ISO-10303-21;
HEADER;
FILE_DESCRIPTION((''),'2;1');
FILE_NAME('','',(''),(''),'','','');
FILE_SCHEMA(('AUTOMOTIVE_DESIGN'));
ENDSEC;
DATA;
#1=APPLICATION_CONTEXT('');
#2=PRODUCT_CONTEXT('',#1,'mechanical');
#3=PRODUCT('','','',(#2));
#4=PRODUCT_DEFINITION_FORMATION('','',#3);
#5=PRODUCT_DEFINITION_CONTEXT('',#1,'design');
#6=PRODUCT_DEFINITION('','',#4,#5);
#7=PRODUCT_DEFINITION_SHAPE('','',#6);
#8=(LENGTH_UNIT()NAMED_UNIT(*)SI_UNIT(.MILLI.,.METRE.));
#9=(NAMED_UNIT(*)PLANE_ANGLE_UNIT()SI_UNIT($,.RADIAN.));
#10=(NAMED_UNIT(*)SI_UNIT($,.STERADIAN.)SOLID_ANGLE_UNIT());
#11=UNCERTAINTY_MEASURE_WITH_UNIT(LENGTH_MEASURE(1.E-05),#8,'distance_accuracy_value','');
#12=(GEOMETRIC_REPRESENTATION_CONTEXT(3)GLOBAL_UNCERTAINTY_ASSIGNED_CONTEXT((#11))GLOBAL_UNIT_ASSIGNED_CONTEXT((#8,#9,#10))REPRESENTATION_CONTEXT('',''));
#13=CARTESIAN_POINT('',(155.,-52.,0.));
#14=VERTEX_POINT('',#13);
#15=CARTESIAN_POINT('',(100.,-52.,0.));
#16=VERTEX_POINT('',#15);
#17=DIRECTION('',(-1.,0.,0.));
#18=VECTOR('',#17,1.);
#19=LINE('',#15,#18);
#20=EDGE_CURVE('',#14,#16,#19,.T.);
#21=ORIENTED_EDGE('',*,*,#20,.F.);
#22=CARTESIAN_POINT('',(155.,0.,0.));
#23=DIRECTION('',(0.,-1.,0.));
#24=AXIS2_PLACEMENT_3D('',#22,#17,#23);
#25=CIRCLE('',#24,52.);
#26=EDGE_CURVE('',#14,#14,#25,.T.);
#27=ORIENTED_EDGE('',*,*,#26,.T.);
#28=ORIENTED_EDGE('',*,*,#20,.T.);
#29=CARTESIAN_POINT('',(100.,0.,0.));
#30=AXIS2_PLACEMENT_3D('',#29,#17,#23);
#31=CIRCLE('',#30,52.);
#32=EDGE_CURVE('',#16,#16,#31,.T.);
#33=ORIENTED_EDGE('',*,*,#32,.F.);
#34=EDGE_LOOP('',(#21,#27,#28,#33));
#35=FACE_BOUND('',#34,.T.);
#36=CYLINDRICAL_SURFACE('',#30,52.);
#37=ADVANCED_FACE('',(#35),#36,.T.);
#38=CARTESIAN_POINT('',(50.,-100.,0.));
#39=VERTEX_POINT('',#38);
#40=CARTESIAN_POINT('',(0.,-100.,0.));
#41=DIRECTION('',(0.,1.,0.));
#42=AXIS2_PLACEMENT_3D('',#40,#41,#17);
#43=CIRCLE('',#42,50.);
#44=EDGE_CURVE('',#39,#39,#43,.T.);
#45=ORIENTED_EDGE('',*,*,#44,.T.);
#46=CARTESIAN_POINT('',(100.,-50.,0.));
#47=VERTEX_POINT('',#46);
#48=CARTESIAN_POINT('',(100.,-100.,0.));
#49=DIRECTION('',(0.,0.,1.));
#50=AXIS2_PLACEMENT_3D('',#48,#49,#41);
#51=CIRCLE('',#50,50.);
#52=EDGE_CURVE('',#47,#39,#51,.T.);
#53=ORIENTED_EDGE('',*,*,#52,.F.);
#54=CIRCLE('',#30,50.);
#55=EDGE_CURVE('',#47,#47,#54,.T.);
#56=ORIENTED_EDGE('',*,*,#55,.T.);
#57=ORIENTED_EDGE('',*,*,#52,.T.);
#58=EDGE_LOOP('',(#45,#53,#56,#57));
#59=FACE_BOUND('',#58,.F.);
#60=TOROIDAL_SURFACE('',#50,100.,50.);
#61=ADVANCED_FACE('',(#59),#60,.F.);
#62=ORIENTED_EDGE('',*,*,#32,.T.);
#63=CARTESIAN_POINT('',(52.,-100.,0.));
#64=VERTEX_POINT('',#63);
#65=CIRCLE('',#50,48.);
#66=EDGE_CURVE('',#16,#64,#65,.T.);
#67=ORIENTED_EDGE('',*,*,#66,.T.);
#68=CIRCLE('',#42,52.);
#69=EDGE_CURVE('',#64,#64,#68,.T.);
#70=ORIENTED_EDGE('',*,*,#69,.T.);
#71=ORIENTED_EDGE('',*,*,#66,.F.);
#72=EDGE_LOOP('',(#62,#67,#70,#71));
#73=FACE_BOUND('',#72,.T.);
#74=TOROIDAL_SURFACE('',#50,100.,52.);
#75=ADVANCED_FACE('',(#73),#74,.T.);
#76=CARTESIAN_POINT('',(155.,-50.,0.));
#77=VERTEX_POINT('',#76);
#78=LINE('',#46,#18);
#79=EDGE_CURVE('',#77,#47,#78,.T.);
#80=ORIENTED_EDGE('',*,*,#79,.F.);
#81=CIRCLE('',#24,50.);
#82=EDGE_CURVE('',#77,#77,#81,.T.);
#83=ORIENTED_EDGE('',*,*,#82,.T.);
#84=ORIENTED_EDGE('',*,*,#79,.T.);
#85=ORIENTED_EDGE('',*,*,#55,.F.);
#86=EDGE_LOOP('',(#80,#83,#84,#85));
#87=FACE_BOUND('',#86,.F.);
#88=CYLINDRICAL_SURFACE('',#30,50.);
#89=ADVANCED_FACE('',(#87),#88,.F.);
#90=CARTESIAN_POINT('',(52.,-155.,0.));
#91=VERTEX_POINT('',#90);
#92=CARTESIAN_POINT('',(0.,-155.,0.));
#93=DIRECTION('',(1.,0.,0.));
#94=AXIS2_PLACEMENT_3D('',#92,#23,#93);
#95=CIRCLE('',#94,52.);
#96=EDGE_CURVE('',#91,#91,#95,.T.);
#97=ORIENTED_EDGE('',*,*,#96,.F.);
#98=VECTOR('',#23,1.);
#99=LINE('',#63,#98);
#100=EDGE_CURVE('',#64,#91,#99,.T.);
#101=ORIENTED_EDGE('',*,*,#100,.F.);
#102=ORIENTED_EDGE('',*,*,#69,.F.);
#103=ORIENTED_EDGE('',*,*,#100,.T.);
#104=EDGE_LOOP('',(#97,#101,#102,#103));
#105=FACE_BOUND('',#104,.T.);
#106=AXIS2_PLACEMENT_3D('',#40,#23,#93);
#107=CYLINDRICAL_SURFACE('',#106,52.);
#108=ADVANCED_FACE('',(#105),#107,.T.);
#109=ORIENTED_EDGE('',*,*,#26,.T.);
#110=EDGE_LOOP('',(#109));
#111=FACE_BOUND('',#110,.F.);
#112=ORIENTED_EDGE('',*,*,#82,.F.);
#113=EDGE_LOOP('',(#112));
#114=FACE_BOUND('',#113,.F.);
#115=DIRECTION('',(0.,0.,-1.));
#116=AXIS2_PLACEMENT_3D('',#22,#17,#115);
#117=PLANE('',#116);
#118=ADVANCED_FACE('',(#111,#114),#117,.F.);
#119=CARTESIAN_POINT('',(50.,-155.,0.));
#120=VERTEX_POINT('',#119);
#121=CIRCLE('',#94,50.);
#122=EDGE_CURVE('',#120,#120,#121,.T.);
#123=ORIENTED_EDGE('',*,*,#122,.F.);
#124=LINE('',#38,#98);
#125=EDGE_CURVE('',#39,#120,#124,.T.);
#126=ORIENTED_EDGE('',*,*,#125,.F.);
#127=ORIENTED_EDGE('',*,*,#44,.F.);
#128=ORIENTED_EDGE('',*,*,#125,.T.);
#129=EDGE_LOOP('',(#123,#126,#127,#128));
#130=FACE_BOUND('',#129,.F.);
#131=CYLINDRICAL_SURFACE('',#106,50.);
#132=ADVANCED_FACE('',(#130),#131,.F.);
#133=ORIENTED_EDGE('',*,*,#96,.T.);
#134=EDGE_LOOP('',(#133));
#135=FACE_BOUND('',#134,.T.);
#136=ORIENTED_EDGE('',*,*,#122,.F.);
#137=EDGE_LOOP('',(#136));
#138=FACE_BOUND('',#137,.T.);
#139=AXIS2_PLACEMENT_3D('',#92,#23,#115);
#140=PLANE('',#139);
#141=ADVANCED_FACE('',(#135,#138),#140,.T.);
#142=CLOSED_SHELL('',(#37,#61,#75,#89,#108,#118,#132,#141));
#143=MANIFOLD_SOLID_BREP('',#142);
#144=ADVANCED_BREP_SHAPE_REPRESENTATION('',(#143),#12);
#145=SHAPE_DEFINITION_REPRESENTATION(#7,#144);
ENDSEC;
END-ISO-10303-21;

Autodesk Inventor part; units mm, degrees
ref_plane "YZ Plane" through (0, 0, 0) normal (1, 0, 0) x (0, 1, 0)
ref_plane "XZ Plane" through (0, 0, 0) normal (0, 1, 0) x (-1, 0, 0)
sketch "Szkic6" plane through (0, 0, 0) normal (0, 0, 1) x (1, 0, 0)
  line L0 (-29.6067, 0) -> (35.2678, 0) construction
  line L1 (0, 42.3419) -> (0, -58.3726) construction
  arc A0 (100, 0) -> (0, -100) centre (100, -100) ccw
  line L2 (0, -100) -> (100, -100) construction
  line L3 (100, -100) -> (100, -34.4669) construction
  line L4 (100, 0) -> (155, 0)
  line L5 (0, -100) -> (0, -155)
  point P0 (0, 0)
  dimension "d24" = 100
  dimension "d31" = 90
  dimension "d36" = 55
  dimension "d37" = 55
ref_plane "Płaszczyzna konstrukcyjna2" through (0, -100, 0) normal (0, -1, 0) x (1, 0, 0)
sketch "Szkic8" plane through (0, -100, 0) normal (0, -1, 0) x (1, 0, 0)
  circle A0 centre (0, 0) radius 52
  circle A1 centre (0, 0) radius 50
  dimension "d32" = 104
  dimension "d33" = 2
sweep "Przeciągnięcie2" add profiles "Szkic8" path "Szkic6"
equation "\"d32\" = OD"
equation "\"d33\" = THK"
equation "\"d24\" = R"
equation "\"d31\" = KAT"
equation "\"d36\" = PROSTKA"
equation "\"d37\" = PROSTKA"
equation "\"SzerokośćGięciaPodcięcia\" = Grubość"
equation "\"RozmiarPodcięciaNarożnika\" = 4 * Grubość"
equation "\"PromieńPrzejścia\" = PromieńGięcia"
equation "\"Rozmiar_promienia_Jacobiego\" = PromieńGięcia"
equation "\"Wielk_odstępu\" = Grubość"
equation "\"d2\" = PromieńGięcia"
equation "\"d23\" = PromieńGięcia"
equation "\"R\" = 100"
equation "\"OD\" = 104"
equation "\"THK\" = 2"
equation "\"KAT\" = 90deg"
equation "\"PROSTKA\" = 55"
equation "\"Grubość\" = 1.5"
equation "\"PromieńGięcia\" = 3"
properties part number "Kolano 90° ø104x2 R100" material "304L"
